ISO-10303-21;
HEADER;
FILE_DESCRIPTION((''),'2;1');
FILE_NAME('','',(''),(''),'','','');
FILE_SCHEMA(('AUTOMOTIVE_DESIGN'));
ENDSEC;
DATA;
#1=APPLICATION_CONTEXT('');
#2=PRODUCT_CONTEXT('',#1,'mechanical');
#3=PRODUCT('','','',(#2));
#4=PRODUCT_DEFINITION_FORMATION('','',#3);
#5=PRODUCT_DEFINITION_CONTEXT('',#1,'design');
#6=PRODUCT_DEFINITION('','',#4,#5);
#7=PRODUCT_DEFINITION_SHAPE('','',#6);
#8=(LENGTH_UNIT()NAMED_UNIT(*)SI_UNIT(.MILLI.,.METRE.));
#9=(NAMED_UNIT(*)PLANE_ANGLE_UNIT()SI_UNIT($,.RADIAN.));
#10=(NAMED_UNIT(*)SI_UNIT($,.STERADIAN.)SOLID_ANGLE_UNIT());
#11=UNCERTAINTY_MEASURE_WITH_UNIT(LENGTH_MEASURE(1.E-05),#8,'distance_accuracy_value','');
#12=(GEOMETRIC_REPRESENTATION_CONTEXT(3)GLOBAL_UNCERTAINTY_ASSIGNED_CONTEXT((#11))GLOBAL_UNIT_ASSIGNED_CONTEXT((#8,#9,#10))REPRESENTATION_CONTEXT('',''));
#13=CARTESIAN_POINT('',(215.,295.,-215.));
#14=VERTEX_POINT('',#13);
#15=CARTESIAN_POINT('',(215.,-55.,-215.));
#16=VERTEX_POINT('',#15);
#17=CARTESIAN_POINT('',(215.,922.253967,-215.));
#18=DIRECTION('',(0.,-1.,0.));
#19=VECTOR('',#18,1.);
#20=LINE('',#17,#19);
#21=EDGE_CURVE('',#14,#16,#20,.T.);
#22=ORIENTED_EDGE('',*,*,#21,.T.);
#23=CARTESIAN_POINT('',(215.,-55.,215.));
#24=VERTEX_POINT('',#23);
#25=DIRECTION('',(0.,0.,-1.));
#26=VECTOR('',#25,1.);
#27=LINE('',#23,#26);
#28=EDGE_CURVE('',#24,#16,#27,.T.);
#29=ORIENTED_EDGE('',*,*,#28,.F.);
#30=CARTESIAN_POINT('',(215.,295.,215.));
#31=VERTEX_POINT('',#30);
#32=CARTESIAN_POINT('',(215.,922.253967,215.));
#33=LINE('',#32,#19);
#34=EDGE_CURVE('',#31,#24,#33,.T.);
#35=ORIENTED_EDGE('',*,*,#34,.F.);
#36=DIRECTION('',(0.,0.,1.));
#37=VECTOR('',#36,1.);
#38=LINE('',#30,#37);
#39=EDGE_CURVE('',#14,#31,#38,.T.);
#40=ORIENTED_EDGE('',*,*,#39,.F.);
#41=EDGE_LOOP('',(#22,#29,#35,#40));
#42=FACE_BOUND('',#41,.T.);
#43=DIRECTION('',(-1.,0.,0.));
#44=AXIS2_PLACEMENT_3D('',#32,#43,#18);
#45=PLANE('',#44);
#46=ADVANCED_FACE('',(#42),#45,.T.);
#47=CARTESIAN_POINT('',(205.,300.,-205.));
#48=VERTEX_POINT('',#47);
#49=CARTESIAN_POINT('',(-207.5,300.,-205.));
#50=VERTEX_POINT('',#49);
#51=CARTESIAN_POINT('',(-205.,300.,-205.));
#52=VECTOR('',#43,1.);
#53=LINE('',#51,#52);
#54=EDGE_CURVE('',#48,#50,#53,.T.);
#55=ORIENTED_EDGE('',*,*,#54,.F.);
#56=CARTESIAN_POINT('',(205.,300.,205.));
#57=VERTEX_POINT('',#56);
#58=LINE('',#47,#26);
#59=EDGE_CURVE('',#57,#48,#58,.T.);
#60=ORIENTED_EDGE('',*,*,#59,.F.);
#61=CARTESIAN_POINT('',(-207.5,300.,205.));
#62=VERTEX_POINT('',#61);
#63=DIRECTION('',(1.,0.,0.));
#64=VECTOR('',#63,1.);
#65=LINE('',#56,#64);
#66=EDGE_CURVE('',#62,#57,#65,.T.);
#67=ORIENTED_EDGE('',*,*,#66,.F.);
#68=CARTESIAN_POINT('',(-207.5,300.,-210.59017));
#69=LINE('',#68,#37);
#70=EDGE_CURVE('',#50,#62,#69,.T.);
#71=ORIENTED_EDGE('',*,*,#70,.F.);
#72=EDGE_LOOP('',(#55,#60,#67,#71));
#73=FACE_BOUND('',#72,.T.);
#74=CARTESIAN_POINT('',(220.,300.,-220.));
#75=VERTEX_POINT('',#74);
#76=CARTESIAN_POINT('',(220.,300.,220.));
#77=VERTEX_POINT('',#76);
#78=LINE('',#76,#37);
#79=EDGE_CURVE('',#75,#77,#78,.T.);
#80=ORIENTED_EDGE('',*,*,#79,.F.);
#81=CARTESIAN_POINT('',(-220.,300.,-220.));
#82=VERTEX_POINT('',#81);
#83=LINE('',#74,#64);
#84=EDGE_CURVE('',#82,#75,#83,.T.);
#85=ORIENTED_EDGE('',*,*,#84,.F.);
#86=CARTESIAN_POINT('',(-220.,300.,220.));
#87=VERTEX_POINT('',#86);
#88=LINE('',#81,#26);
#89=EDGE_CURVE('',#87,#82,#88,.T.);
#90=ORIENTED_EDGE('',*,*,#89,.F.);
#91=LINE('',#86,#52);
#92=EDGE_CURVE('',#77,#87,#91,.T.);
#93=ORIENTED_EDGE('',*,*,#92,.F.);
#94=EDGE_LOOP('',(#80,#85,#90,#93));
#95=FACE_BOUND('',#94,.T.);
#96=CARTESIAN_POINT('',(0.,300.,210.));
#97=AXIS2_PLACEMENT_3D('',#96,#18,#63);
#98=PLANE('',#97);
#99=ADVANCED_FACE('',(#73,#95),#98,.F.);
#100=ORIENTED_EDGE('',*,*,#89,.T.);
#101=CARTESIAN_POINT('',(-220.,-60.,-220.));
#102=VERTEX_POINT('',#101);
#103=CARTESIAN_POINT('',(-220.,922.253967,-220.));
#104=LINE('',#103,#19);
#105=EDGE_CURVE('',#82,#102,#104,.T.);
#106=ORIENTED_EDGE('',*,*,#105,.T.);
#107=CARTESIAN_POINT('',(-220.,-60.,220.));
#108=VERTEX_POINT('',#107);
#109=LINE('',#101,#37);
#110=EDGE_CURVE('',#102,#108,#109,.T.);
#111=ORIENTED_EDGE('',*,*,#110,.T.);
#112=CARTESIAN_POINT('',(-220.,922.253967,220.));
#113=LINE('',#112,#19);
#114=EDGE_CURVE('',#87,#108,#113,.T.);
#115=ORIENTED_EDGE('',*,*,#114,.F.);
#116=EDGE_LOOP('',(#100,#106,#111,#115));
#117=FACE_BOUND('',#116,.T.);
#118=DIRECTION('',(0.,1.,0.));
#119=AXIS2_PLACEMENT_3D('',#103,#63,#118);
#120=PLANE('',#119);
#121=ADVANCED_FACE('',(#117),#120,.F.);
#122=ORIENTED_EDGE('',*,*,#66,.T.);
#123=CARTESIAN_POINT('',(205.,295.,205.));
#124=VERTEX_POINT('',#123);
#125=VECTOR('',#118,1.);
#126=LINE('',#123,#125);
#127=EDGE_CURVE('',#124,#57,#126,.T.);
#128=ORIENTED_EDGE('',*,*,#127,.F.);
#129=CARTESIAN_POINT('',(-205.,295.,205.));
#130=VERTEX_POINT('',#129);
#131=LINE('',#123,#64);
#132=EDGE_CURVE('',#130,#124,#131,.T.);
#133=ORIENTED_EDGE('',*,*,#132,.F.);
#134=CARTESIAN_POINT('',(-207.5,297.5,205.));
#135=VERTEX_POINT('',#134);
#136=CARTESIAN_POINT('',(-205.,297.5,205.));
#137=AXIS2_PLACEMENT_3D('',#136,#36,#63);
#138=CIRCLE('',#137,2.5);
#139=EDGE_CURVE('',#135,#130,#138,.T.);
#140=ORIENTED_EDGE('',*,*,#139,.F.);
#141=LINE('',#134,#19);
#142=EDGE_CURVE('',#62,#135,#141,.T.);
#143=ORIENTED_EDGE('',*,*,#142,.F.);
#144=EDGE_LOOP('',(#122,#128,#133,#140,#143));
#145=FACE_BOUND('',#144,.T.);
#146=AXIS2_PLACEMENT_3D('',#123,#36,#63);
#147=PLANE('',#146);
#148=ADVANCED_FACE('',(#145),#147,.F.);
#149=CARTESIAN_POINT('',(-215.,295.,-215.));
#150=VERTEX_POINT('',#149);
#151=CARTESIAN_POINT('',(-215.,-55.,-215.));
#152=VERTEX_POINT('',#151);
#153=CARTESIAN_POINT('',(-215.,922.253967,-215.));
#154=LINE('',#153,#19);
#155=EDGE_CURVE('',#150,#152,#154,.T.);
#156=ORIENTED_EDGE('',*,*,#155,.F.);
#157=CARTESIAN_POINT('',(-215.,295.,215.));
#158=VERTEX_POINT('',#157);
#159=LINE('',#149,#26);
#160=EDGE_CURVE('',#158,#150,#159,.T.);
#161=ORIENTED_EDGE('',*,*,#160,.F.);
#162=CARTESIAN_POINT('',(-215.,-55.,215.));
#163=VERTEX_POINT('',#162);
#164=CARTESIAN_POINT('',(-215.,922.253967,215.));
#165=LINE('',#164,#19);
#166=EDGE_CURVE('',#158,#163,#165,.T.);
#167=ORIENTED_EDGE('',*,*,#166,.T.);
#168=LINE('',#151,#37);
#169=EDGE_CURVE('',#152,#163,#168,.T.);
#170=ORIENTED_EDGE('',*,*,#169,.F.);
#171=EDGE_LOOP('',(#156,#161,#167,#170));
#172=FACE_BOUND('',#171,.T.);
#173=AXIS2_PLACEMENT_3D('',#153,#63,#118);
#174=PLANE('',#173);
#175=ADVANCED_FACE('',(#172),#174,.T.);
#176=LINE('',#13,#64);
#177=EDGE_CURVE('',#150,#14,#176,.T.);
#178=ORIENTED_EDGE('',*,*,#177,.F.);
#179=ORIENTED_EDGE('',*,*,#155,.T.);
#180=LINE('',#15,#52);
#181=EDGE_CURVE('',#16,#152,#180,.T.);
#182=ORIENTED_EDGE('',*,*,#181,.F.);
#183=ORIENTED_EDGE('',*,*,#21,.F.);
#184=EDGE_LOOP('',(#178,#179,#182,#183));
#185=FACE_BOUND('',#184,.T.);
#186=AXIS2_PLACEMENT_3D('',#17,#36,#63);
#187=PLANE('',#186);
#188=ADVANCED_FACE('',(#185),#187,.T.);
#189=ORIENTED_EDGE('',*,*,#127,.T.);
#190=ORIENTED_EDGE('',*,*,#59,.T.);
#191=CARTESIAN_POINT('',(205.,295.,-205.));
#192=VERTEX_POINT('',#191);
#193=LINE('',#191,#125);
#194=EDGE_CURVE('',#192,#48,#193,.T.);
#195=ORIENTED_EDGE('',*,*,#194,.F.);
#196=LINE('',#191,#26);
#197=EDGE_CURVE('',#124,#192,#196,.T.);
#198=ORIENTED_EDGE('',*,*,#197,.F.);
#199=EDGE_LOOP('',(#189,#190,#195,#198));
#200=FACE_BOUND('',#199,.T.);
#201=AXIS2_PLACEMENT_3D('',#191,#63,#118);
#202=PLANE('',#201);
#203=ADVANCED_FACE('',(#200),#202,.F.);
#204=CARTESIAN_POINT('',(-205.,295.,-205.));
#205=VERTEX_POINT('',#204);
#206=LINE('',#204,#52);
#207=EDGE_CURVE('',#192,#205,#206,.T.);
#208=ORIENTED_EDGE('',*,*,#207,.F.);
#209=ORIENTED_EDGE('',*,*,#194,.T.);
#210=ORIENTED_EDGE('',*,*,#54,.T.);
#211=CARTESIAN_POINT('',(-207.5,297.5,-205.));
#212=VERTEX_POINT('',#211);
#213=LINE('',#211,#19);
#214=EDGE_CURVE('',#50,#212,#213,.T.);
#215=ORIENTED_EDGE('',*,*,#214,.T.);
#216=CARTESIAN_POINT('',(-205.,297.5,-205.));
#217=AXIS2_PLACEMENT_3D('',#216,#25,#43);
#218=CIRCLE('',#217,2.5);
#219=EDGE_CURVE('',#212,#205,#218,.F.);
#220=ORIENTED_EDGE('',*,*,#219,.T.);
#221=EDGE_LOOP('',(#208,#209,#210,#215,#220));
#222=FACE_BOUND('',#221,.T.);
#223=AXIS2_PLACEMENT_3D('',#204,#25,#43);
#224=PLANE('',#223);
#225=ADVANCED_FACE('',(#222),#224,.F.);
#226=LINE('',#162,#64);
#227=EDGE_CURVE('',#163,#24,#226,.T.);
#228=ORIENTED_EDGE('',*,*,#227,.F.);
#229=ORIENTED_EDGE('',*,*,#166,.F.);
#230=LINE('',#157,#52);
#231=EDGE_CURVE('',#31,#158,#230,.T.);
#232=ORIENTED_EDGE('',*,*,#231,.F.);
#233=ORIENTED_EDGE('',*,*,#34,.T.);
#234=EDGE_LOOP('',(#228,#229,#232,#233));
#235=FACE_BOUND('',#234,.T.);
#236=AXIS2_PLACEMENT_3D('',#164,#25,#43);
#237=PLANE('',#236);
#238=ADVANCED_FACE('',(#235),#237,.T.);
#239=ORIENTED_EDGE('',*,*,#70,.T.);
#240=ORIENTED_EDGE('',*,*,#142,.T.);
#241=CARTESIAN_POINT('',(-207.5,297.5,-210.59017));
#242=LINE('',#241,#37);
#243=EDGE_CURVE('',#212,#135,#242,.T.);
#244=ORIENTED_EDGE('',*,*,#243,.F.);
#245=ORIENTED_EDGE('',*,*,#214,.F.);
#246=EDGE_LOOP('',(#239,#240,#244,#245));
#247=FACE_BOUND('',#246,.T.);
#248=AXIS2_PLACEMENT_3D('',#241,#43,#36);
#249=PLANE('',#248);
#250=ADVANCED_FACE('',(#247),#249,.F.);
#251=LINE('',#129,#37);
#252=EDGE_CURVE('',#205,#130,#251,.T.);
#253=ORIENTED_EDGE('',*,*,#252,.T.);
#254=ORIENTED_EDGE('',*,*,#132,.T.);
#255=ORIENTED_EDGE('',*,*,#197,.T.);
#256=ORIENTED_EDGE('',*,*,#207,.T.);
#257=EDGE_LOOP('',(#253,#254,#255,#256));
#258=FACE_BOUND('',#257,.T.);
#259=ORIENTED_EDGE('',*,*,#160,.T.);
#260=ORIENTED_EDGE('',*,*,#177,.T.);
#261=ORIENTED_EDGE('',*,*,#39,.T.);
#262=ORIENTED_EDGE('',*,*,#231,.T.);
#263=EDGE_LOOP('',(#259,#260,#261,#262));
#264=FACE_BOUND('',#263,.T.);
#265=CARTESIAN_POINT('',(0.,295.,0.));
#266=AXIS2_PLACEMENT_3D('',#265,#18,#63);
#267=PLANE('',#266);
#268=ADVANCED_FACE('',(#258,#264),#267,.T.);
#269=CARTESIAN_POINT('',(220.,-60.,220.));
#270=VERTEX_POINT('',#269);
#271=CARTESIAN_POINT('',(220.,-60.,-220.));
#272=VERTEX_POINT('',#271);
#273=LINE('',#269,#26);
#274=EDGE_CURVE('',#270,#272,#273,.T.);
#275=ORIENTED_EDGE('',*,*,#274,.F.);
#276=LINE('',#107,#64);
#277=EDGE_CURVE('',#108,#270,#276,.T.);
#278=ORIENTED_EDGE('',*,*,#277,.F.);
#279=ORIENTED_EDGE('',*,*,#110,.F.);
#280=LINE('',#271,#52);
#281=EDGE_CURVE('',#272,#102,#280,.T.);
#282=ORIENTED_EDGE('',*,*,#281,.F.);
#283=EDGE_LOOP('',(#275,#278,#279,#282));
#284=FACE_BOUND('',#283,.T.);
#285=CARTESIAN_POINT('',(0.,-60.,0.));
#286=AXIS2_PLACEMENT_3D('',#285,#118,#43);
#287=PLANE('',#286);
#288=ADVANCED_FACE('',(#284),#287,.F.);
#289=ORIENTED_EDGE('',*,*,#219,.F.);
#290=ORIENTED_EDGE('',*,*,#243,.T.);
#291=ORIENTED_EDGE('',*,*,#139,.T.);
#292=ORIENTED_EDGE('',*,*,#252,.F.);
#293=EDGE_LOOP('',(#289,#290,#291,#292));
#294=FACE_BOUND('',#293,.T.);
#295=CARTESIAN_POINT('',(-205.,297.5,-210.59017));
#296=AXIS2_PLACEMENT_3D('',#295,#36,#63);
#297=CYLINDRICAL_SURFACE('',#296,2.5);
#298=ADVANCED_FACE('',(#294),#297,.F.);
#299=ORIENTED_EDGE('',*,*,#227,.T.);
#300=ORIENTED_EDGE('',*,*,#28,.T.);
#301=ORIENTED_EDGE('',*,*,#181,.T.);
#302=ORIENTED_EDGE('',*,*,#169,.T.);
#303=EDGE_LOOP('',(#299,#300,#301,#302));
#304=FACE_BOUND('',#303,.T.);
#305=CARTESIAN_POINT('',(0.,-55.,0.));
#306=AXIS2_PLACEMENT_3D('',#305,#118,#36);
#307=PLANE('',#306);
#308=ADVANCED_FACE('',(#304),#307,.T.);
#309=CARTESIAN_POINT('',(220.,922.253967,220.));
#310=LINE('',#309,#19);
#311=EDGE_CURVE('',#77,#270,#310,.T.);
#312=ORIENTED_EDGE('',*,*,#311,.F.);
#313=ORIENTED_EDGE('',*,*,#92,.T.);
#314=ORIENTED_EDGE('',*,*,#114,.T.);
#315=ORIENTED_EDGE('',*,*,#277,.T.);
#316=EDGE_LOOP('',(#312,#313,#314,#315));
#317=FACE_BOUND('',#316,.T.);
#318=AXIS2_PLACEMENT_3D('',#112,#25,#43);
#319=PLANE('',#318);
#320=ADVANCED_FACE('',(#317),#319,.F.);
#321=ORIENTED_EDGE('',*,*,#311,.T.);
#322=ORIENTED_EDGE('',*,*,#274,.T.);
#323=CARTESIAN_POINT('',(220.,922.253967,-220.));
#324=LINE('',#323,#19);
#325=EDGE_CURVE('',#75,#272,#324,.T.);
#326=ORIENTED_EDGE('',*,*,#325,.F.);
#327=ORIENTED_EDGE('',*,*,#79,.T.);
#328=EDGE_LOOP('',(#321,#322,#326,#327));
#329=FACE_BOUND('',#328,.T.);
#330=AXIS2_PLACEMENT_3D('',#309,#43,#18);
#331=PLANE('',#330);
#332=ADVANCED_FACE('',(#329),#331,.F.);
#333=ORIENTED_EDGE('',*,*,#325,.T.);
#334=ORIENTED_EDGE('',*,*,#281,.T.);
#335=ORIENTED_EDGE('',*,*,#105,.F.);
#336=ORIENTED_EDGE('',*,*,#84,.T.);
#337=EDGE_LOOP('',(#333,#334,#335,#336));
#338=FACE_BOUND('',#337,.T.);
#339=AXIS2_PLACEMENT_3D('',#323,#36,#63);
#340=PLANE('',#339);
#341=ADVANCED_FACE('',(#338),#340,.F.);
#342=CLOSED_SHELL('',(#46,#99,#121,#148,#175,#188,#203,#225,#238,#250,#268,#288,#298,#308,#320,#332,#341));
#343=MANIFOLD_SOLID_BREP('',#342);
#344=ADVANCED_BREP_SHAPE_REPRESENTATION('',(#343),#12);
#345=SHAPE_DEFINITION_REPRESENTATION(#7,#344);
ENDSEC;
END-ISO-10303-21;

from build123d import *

# Parameters (mm, degrees)
SKETCH_1_W                      = 440
SKETCH_1_H                      = 440
SKETCH_1_W_2                    = 430
SKETCH_1_H_2                    = 430
EXTRUDE_1_DEPTH                 = 360
SKETCH_2_W                      = 440
SKETCH_2_H                      = 440
EXTRUDE_2_DEPTH                 = 5
SKETCH_3_W                      = 440
SKETCH_3_H                      = 440
SKETCH_3_W_2                    = 410
SKETCH_3_H_2                    = 410
EXTRUDE_3_DEPTH                 = 5
CUT_EXTRUDE_1_REACH             = 434.204
CUT_EXTRUDE_1_DIRECTION_2_REACH = 434.204


with BuildPart() as part:
    # Эскиз1 → Бобышка-Вытянуть1 (new body)
    with BuildSketch(Plane(origin=(0, -60, 0), x_dir=(1, 0, 0), z_dir=(0, 1, 0))):
        Rectangle(SKETCH_1_W, SKETCH_1_H)
        Rectangle(SKETCH_1_W_2, SKETCH_1_H_2, mode=Mode.SUBTRACT)
    extrude(amount=EXTRUDE_1_DEPTH)

    # Эскиз2 → Бобышка-Вытянуть2 (add)
    with BuildSketch(Plane(origin=(0, -60, 0), x_dir=(1, 0, 0), z_dir=(0, 1, 0))):
        Rectangle(SKETCH_2_W, SKETCH_2_H)
    extrude(amount=EXTRUDE_2_DEPTH)

    # Эскиз3 → Бобышка-Вытянуть3 (add)
    with BuildSketch(Plane(origin=(0, 300, 0), x_dir=(1, 0, 0), z_dir=(0, 1, 0))):
        Rectangle(SKETCH_3_W, SKETCH_3_H)
        Rectangle(SKETCH_3_W_2, SKETCH_3_H_2, mode=Mode.SUBTRACT)
    extrude(amount=-EXTRUDE_3_DEPTH)

    # Вырез-Вытянуть1: up to this face of the body (flat: up to its plane)
    cut_extrude_1_end = Plane(part.part.faces().sort_by_distance((0, 297.5, -205))[0])
    # Эскиз4 → Вырез-Вытянуть1 (cut, up to the picked face)
    with BuildSketch(Plane.XY, mode=Mode.PRIVATE) as cut_extrude_1_sk1:
        with BuildLine():
            Line((-205, 295), (-205, 300))
            Line((-205, 300), (-207.5, 300))
            Line((-207.5, 300), (-207.5, 297.5))
            ThreePointArc((-207.5, 297.5), (-206.767766953, 295.732233047), (-205, 295))
        make_face()
    cut_extrude_1_tool1 = split(extrude(cut_extrude_1_sk1.sketch, amount=-CUT_EXTRUDE_1_REACH, mode=Mode.PRIVATE), bisect_by=cut_extrude_1_end, keep=Keep.BOTH, mode=Mode.PRIVATE)
    add(cut_extrude_1_tool1.solids().sort_by(Axis((-206.166873, 297.733375, 0), (0, 0, -1)))[0], mode=Mode.SUBTRACT)

    # Вырез-Вытянуть1 direction 2: up to this face of the body (flat: up to its plane)
    cut_extrude_1_direction_2_end = Plane(part.part.faces().sort_by_distance((0, 297.5, 205))[0])
    # Эскиз4 → Вырез-Вытянуть1 direction 2 (cut, up to the picked face)
    with BuildSketch(Plane.XY, mode=Mode.PRIVATE) as cut_extrude_1_direction_2_sk1:
        with BuildLine():
            Line((-205, 295), (-205, 300))
            Line((-205, 300), (-207.5, 300))
            Line((-207.5, 300), (-207.5, 297.5))
            ThreePointArc((-207.5, 297.5), (-206.767766953, 295.732233047), (-205, 295))
        make_face()
    cut_extrude_1_direction_2_tool1 = split(extrude(cut_extrude_1_direction_2_sk1.sketch, amount=CUT_EXTRUDE_1_DIRECTION_2_REACH, mode=Mode.PRIVATE), bisect_by=cut_extrude_1_direction_2_end, keep=Keep.BOTH, mode=Mode.PRIVATE)
    add(cut_extrude_1_direction_2_tool1.solids().sort_by(Axis((-206.166873, 297.733375, 0), (0, 0, 1)))[0], mode=Mode.SUBTRACT)


solid = part.part
